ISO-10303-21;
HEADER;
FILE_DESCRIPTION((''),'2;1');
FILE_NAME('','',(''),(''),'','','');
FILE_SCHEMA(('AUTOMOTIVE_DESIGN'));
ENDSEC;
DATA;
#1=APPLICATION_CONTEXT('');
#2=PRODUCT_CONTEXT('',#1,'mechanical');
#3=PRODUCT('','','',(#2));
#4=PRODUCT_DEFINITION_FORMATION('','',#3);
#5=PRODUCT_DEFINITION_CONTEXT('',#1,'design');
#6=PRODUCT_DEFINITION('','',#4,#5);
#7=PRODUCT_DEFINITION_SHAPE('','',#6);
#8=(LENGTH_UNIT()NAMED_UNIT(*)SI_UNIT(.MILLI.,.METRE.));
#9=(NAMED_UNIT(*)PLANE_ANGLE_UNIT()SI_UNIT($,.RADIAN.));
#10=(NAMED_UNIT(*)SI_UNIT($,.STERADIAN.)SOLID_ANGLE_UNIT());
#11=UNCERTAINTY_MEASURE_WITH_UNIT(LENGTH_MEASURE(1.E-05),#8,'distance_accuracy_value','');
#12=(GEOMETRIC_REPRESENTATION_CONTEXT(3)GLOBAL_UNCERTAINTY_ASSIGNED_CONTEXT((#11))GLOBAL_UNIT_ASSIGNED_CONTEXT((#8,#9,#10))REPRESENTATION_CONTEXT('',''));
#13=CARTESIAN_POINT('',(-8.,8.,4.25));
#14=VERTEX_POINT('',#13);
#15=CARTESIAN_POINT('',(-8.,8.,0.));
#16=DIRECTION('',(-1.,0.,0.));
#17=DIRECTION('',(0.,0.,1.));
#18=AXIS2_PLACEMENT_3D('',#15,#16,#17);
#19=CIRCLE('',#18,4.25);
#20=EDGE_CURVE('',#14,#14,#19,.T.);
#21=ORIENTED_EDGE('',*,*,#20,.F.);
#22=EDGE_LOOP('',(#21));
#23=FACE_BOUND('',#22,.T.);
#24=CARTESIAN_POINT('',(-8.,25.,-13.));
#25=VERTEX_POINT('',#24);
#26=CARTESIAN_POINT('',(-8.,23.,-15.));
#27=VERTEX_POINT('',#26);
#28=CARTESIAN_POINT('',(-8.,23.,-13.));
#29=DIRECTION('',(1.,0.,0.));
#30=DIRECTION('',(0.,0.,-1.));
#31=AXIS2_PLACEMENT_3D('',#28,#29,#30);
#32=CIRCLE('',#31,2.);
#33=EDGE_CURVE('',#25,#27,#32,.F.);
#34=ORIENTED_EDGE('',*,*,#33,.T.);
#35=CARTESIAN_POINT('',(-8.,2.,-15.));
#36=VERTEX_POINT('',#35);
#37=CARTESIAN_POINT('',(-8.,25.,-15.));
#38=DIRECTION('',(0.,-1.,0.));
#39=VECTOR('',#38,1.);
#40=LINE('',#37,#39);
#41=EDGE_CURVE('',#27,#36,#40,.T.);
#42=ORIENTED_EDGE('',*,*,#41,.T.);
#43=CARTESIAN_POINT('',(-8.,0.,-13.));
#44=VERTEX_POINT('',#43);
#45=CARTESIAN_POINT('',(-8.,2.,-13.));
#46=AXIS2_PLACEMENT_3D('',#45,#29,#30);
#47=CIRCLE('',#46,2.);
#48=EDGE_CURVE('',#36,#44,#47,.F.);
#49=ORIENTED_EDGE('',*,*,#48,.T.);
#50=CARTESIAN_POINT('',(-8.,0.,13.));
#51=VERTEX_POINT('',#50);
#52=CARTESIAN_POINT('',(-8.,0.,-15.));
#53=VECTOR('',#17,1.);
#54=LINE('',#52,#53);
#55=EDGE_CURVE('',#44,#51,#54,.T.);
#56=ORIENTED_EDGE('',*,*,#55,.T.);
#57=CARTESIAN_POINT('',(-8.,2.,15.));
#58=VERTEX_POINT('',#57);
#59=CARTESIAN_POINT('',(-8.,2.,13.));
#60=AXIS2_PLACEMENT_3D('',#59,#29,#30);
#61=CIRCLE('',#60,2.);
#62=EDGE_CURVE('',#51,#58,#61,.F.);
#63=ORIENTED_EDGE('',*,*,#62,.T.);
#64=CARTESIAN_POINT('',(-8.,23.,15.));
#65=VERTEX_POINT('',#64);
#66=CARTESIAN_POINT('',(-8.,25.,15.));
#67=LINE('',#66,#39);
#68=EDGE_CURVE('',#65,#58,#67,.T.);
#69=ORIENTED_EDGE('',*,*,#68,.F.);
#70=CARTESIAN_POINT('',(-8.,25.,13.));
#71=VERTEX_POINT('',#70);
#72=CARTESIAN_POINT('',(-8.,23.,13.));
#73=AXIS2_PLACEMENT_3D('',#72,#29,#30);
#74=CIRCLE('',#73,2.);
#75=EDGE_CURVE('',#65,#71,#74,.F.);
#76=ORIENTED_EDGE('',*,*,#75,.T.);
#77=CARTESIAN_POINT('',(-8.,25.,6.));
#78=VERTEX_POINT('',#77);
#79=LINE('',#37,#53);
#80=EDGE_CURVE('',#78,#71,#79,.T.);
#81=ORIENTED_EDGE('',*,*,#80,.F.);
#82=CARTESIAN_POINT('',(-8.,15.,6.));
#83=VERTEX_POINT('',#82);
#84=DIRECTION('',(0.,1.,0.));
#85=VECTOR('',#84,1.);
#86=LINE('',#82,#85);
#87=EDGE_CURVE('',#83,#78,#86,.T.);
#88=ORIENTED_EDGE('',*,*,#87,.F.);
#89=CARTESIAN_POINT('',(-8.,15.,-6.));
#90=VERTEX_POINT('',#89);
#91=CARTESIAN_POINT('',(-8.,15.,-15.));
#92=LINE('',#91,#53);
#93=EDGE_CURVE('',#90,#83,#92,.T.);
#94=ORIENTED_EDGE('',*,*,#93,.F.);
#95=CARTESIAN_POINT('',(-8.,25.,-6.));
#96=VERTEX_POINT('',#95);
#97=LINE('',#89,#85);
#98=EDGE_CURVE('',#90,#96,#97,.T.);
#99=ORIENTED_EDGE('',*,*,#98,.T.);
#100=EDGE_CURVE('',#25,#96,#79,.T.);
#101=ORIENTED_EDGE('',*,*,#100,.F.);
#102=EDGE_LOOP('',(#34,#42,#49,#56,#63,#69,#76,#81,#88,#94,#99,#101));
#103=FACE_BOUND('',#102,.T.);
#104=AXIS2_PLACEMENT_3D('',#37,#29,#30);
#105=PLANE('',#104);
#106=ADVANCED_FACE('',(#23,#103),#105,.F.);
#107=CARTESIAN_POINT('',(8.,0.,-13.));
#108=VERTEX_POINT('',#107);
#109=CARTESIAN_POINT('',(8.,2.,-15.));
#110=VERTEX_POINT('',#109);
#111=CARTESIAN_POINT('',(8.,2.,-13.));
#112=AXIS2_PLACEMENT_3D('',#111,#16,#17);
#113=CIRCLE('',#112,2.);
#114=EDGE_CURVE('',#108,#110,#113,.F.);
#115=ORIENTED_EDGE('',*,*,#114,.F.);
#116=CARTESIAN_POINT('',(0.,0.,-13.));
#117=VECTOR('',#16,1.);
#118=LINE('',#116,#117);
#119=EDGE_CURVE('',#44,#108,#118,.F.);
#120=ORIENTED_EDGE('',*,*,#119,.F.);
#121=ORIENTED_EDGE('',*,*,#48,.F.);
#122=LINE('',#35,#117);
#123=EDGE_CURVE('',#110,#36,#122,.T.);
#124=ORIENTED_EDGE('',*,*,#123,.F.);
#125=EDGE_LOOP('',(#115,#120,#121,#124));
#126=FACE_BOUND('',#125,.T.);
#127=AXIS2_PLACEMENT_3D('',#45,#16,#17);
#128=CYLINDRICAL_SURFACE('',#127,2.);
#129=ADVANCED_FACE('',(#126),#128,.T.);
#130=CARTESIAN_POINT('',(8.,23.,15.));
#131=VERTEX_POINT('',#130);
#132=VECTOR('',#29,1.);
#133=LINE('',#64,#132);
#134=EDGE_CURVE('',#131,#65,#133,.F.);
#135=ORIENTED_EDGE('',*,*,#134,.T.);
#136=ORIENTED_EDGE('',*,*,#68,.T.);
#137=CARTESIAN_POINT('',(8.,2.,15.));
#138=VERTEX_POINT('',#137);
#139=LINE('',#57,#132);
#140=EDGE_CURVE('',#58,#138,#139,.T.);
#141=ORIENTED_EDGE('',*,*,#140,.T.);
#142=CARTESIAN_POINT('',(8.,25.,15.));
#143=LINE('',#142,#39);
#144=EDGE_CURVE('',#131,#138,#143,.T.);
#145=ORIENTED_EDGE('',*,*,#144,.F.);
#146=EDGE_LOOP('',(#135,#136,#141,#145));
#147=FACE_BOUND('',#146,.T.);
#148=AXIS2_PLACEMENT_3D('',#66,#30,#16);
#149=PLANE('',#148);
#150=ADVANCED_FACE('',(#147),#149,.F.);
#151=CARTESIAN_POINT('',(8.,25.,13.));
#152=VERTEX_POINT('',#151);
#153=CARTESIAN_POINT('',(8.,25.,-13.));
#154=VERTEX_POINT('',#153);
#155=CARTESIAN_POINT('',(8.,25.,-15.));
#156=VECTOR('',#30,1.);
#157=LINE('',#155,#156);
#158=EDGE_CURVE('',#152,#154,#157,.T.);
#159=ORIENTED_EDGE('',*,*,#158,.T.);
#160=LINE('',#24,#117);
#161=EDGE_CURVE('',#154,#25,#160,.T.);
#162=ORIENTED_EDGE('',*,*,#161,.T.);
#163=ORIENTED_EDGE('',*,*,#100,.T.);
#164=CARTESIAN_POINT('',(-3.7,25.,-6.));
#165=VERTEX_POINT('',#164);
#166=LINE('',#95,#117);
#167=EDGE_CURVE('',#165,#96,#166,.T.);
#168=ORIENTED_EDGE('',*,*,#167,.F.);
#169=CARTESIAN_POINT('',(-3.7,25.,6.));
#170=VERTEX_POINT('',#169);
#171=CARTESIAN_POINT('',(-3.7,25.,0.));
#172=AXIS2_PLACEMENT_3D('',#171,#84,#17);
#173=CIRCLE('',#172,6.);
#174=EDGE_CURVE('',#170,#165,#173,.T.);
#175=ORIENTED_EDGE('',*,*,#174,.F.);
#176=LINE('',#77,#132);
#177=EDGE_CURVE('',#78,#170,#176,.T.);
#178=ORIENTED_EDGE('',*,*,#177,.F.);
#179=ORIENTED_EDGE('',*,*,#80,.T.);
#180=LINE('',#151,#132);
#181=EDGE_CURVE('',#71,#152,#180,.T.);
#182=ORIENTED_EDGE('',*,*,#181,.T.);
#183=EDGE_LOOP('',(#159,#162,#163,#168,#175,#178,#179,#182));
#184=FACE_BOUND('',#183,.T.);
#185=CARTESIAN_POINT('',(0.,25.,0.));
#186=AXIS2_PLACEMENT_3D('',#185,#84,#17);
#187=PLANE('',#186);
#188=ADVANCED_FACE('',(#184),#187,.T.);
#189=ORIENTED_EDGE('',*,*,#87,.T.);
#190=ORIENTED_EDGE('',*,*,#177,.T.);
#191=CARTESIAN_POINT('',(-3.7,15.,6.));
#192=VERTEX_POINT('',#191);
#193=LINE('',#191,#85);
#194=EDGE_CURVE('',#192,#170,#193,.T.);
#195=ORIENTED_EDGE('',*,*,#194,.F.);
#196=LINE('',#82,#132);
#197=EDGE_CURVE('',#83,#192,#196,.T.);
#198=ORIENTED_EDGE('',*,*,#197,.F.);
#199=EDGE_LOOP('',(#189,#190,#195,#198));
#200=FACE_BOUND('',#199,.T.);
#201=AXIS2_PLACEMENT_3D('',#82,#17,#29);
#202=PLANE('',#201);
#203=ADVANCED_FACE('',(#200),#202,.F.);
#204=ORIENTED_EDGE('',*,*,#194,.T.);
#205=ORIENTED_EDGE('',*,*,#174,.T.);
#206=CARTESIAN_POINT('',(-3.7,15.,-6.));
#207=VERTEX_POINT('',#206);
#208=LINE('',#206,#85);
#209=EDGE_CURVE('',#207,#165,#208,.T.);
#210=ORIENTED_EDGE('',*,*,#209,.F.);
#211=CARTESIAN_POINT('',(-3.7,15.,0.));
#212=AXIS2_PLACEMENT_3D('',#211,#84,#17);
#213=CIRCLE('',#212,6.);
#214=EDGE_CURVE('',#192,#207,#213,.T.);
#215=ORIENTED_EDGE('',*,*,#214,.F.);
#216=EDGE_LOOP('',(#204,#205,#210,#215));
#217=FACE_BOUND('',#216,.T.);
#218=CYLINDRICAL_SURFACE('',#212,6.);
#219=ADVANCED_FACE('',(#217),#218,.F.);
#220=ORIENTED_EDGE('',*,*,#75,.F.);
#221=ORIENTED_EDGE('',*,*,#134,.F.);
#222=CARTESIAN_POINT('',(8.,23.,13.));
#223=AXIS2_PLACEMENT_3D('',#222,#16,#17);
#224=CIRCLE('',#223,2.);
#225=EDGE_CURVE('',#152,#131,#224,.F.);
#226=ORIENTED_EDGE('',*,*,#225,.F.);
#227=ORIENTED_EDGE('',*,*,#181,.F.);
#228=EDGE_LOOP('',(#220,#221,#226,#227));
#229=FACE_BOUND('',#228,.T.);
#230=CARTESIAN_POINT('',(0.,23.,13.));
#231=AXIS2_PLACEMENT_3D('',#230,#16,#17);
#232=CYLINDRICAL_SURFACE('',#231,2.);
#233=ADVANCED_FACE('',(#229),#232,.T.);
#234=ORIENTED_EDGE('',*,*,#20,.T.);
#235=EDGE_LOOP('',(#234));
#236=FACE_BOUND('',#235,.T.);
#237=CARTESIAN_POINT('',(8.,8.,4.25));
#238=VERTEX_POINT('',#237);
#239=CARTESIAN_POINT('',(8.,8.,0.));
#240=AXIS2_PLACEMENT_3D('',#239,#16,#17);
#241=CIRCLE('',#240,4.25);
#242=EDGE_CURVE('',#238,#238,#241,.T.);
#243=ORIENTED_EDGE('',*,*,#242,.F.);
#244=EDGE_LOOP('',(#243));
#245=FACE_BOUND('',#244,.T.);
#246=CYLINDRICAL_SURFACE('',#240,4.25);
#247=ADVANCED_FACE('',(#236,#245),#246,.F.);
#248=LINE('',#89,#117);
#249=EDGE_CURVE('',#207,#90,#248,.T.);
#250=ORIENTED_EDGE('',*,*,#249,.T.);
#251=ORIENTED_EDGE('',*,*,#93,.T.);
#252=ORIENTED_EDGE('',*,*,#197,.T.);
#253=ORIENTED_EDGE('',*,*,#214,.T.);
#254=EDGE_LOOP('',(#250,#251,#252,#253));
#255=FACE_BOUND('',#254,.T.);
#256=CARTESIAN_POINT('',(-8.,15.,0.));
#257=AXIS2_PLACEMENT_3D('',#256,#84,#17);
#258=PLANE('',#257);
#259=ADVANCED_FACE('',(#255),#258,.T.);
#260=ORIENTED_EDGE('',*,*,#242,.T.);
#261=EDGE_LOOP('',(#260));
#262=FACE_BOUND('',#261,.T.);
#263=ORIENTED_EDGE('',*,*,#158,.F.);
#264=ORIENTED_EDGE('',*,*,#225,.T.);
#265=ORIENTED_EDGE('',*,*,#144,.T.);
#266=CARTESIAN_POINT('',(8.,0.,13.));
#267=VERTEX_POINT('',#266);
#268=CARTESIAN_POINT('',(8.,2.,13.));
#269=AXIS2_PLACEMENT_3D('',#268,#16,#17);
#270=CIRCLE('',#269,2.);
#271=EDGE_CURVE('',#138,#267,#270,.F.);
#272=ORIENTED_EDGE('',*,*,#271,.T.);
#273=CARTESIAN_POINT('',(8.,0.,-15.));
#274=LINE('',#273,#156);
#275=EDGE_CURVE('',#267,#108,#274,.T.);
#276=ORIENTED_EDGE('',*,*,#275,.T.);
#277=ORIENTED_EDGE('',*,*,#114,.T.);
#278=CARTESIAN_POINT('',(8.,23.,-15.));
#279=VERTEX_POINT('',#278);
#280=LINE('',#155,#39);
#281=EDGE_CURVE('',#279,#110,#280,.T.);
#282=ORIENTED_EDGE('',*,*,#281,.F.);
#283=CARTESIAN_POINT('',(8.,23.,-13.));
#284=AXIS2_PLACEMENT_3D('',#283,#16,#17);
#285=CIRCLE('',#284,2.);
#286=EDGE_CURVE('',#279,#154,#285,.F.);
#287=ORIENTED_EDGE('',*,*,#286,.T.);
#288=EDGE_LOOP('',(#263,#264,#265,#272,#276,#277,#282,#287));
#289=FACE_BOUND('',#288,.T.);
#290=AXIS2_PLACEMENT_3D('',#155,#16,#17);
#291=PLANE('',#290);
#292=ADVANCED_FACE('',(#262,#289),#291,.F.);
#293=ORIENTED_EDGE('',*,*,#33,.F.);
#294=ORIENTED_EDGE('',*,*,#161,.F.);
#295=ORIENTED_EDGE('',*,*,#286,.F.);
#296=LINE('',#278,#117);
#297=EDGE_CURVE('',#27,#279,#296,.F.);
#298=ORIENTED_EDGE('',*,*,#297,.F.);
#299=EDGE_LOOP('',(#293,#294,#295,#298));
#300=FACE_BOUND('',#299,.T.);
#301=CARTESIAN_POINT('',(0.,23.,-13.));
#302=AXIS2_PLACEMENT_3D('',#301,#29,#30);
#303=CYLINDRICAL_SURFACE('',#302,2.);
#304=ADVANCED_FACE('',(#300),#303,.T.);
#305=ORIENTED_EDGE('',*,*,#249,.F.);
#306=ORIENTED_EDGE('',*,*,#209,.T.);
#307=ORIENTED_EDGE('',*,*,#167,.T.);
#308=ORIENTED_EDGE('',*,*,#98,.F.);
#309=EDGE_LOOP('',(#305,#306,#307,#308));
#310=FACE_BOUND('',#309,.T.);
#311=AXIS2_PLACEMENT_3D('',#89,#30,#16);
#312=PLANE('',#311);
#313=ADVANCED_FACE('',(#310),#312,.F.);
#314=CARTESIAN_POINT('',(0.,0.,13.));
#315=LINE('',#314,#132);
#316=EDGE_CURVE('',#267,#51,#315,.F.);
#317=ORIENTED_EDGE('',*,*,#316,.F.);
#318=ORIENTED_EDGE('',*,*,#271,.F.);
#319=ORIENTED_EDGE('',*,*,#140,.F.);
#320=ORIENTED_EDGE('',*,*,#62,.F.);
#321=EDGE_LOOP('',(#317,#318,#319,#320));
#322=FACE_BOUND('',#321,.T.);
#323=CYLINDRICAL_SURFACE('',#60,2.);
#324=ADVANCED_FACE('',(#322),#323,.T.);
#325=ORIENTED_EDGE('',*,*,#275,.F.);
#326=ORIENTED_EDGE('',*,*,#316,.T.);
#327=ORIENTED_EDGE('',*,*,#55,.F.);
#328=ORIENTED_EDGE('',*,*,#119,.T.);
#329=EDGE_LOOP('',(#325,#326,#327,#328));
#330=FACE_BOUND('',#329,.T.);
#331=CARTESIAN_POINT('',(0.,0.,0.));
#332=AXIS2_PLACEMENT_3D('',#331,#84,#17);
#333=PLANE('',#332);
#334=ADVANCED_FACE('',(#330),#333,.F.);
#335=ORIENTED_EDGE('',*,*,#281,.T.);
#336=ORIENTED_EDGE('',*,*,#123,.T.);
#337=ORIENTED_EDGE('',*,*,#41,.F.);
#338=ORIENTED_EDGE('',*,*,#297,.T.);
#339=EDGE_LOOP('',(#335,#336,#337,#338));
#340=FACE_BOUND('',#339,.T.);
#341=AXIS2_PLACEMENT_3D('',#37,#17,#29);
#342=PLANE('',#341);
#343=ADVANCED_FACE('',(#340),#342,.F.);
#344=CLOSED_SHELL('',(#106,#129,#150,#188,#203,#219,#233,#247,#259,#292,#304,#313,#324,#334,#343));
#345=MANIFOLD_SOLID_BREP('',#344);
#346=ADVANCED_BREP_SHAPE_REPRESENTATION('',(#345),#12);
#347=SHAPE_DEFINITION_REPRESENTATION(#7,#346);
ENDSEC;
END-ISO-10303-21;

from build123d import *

# Parameters (mm, degrees)
SKETCH1_W           = 16
SKETCH1_H           = 30
BOSS_EXTRUDE1_DEPTH = 25
CUT_EXTRUDE1_DEPTH  = 10
SKETCH3_R           = 4.25
CUT_EXTRUDE2_DEPTH  = 34.256578297
FILLET1_R           = 2


with BuildPart() as part:
    # Sketch1 → Boss-Extrude1 (new body)
    with BuildSketch(Plane(origin=(0, 0, 0), x_dir=(1, 0, 0), z_dir=(0, 1, 0))):
        Rectangle(SKETCH1_W, SKETCH1_H)
    extrude(amount=BOSS_EXTRUDE1_DEPTH)

    # Sketch2 → Cut-Extrude1 (cut)
    with BuildSketch(Plane(origin=(0, 25, 0), x_dir=(1, 0, 0), z_dir=(0, 1, 0))):
        with BuildLine():
            Line((-8, 6), (-3.7, 6))
            ThreePointArc((-3.7, 6), (2.3, 0), (-3.7, -6))
            Line((-3.7, -6), (-8, -6))
            ThreePointArc((-8, -6), (-14, 0), (-8, 6))
        make_face()
    extrude(amount=-CUT_EXTRUDE1_DEPTH, mode=Mode.SUBTRACT)

    # Sketch3 → Cut-Extrude2 (cut, through all)
    with BuildSketch(Plane.ZY.offset(8)):
        with Locations((0, 8)):
            Circle(SKETCH3_R)
    extrude(amount=-CUT_EXTRUDE2_DEPTH, mode=Mode.SUBTRACT)

    # Fillet1
    fillet1_edges = [part.edges().sort_by_distance(p)[0] for p in [
        (0, 25, 15),
        (0, 0, 15),
        (0, 0, -15),
        (0, 25, -15),
    ]]
    fillet(fillet1_edges, radius=FILLET1_R)


solid = part.part
